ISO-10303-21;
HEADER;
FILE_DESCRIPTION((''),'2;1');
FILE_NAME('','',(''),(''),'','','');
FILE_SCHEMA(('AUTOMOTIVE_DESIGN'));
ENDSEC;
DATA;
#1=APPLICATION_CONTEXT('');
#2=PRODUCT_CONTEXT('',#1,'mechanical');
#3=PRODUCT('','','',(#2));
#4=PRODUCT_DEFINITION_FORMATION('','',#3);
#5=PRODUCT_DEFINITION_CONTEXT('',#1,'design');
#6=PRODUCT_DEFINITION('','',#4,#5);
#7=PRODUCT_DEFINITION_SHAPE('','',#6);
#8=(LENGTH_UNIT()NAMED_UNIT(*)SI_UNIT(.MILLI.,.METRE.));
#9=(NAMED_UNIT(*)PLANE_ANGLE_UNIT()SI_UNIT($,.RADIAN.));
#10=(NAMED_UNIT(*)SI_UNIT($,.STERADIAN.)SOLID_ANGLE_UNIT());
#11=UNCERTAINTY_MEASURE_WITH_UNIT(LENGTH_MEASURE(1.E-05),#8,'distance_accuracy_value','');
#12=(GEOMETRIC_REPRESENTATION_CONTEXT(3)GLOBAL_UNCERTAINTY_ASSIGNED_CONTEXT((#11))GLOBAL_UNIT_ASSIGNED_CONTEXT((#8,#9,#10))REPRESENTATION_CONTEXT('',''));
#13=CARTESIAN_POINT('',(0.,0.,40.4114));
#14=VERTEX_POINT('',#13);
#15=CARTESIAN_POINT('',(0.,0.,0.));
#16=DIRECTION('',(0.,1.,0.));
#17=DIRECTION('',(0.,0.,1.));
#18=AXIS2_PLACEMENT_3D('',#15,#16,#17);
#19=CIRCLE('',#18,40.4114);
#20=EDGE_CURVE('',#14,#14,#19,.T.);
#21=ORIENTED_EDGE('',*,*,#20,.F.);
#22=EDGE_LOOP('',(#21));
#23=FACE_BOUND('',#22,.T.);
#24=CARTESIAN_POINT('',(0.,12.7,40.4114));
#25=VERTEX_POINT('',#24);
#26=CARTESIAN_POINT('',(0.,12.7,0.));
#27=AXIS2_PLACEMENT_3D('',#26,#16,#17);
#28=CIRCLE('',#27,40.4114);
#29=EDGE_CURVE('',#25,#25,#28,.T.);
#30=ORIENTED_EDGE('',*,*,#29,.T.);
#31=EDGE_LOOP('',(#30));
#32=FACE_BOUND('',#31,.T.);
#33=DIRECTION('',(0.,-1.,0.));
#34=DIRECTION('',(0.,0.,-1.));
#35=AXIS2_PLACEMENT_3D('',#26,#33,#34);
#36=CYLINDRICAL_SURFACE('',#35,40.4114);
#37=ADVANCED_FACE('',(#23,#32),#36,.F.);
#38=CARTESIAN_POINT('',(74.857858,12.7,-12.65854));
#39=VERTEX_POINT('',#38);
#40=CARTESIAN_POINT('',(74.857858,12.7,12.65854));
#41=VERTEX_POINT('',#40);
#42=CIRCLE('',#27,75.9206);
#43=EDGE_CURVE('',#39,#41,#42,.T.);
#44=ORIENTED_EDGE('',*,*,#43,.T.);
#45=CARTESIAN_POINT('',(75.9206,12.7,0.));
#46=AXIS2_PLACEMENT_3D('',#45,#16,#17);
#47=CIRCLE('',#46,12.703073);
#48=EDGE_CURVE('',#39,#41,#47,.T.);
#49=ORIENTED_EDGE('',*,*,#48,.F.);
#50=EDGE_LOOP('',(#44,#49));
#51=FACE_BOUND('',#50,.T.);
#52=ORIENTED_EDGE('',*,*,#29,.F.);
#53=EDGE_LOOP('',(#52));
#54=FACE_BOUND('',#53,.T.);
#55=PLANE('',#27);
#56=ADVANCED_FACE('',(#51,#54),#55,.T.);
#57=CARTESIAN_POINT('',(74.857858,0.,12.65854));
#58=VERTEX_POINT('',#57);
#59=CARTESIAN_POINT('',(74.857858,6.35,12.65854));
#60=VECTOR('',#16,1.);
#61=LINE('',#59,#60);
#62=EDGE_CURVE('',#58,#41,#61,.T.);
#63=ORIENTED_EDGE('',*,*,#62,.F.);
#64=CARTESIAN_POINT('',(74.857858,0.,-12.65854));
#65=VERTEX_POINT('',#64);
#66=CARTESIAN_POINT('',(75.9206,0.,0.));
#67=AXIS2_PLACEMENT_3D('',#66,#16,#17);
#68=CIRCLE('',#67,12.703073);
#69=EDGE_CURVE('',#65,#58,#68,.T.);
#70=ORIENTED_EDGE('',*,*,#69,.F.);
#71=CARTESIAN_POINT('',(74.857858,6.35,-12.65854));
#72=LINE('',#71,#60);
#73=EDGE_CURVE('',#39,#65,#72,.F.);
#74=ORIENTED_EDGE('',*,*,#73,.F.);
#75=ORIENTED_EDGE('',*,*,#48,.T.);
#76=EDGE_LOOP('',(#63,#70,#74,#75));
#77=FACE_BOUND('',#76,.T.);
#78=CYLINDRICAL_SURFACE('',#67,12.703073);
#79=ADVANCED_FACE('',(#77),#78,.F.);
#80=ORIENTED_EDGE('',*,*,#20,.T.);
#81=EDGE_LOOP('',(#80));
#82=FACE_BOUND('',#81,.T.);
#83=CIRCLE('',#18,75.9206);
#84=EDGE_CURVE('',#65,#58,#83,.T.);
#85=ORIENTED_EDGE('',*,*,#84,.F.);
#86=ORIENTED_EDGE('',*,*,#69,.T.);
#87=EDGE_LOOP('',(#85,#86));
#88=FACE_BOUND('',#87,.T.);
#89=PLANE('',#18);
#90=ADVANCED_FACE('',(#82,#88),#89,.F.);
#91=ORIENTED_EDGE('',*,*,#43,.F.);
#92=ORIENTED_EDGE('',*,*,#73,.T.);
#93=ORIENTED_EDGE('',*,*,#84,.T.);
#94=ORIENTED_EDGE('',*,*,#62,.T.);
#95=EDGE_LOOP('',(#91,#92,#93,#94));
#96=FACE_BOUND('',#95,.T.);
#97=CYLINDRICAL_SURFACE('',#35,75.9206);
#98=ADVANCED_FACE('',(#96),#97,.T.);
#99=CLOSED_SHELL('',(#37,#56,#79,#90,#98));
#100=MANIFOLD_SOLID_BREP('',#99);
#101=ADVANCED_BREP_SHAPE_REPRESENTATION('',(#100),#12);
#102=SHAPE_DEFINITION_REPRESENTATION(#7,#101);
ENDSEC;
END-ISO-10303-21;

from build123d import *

# Parameters (mm, degrees)
SKETCH1_R           = 75.9206
BOSS_EXTRUDE1_DEPTH = 12.7
SKETCH1_10_R        = 40.4114
CUT_EXTRUDE2_DEPTH  = 13.7
CUT_EXTRUDE3_DEPTH  = 13.7


with BuildPart() as part:
    # Sketch1 → Boss-Extrude1 (new body)
    with BuildSketch(Plane(origin=(0, 0, 0), x_dir=(1, 0, 0), z_dir=(0, 1, 0))):
        Circle(SKETCH1_R)
    extrude(amount=BOSS_EXTRUDE1_DEPTH)

    # Sketch1<10> → Cut-Extrude2 (cut, through all)
    with BuildSketch(Plane(origin=(0, 0, 0), x_dir=(1, 0, 0), z_dir=(0, 1, 0))):
        Circle(SKETCH1_10_R)
    extrude(amount=CUT_EXTRUDE2_DEPTH, mode=Mode.SUBTRACT)

    # Sketch2 → Cut-Extrude3 (cut, through all)
    with BuildSketch(Plane(origin=(0, 12.7, 0), x_dir=(1, 0, 0), z_dir=(0, 1, 0))):
        with BuildLine():
            Line((76.2, 12.7), (76.2, -12.7))
            ThreePointArc((76.2, -12.7), (63.217526972, 0), (76.2, 12.7))
        make_face()
    extrude(amount=-CUT_EXTRUDE3_DEPTH, mode=Mode.SUBTRACT)


solid = part.part
